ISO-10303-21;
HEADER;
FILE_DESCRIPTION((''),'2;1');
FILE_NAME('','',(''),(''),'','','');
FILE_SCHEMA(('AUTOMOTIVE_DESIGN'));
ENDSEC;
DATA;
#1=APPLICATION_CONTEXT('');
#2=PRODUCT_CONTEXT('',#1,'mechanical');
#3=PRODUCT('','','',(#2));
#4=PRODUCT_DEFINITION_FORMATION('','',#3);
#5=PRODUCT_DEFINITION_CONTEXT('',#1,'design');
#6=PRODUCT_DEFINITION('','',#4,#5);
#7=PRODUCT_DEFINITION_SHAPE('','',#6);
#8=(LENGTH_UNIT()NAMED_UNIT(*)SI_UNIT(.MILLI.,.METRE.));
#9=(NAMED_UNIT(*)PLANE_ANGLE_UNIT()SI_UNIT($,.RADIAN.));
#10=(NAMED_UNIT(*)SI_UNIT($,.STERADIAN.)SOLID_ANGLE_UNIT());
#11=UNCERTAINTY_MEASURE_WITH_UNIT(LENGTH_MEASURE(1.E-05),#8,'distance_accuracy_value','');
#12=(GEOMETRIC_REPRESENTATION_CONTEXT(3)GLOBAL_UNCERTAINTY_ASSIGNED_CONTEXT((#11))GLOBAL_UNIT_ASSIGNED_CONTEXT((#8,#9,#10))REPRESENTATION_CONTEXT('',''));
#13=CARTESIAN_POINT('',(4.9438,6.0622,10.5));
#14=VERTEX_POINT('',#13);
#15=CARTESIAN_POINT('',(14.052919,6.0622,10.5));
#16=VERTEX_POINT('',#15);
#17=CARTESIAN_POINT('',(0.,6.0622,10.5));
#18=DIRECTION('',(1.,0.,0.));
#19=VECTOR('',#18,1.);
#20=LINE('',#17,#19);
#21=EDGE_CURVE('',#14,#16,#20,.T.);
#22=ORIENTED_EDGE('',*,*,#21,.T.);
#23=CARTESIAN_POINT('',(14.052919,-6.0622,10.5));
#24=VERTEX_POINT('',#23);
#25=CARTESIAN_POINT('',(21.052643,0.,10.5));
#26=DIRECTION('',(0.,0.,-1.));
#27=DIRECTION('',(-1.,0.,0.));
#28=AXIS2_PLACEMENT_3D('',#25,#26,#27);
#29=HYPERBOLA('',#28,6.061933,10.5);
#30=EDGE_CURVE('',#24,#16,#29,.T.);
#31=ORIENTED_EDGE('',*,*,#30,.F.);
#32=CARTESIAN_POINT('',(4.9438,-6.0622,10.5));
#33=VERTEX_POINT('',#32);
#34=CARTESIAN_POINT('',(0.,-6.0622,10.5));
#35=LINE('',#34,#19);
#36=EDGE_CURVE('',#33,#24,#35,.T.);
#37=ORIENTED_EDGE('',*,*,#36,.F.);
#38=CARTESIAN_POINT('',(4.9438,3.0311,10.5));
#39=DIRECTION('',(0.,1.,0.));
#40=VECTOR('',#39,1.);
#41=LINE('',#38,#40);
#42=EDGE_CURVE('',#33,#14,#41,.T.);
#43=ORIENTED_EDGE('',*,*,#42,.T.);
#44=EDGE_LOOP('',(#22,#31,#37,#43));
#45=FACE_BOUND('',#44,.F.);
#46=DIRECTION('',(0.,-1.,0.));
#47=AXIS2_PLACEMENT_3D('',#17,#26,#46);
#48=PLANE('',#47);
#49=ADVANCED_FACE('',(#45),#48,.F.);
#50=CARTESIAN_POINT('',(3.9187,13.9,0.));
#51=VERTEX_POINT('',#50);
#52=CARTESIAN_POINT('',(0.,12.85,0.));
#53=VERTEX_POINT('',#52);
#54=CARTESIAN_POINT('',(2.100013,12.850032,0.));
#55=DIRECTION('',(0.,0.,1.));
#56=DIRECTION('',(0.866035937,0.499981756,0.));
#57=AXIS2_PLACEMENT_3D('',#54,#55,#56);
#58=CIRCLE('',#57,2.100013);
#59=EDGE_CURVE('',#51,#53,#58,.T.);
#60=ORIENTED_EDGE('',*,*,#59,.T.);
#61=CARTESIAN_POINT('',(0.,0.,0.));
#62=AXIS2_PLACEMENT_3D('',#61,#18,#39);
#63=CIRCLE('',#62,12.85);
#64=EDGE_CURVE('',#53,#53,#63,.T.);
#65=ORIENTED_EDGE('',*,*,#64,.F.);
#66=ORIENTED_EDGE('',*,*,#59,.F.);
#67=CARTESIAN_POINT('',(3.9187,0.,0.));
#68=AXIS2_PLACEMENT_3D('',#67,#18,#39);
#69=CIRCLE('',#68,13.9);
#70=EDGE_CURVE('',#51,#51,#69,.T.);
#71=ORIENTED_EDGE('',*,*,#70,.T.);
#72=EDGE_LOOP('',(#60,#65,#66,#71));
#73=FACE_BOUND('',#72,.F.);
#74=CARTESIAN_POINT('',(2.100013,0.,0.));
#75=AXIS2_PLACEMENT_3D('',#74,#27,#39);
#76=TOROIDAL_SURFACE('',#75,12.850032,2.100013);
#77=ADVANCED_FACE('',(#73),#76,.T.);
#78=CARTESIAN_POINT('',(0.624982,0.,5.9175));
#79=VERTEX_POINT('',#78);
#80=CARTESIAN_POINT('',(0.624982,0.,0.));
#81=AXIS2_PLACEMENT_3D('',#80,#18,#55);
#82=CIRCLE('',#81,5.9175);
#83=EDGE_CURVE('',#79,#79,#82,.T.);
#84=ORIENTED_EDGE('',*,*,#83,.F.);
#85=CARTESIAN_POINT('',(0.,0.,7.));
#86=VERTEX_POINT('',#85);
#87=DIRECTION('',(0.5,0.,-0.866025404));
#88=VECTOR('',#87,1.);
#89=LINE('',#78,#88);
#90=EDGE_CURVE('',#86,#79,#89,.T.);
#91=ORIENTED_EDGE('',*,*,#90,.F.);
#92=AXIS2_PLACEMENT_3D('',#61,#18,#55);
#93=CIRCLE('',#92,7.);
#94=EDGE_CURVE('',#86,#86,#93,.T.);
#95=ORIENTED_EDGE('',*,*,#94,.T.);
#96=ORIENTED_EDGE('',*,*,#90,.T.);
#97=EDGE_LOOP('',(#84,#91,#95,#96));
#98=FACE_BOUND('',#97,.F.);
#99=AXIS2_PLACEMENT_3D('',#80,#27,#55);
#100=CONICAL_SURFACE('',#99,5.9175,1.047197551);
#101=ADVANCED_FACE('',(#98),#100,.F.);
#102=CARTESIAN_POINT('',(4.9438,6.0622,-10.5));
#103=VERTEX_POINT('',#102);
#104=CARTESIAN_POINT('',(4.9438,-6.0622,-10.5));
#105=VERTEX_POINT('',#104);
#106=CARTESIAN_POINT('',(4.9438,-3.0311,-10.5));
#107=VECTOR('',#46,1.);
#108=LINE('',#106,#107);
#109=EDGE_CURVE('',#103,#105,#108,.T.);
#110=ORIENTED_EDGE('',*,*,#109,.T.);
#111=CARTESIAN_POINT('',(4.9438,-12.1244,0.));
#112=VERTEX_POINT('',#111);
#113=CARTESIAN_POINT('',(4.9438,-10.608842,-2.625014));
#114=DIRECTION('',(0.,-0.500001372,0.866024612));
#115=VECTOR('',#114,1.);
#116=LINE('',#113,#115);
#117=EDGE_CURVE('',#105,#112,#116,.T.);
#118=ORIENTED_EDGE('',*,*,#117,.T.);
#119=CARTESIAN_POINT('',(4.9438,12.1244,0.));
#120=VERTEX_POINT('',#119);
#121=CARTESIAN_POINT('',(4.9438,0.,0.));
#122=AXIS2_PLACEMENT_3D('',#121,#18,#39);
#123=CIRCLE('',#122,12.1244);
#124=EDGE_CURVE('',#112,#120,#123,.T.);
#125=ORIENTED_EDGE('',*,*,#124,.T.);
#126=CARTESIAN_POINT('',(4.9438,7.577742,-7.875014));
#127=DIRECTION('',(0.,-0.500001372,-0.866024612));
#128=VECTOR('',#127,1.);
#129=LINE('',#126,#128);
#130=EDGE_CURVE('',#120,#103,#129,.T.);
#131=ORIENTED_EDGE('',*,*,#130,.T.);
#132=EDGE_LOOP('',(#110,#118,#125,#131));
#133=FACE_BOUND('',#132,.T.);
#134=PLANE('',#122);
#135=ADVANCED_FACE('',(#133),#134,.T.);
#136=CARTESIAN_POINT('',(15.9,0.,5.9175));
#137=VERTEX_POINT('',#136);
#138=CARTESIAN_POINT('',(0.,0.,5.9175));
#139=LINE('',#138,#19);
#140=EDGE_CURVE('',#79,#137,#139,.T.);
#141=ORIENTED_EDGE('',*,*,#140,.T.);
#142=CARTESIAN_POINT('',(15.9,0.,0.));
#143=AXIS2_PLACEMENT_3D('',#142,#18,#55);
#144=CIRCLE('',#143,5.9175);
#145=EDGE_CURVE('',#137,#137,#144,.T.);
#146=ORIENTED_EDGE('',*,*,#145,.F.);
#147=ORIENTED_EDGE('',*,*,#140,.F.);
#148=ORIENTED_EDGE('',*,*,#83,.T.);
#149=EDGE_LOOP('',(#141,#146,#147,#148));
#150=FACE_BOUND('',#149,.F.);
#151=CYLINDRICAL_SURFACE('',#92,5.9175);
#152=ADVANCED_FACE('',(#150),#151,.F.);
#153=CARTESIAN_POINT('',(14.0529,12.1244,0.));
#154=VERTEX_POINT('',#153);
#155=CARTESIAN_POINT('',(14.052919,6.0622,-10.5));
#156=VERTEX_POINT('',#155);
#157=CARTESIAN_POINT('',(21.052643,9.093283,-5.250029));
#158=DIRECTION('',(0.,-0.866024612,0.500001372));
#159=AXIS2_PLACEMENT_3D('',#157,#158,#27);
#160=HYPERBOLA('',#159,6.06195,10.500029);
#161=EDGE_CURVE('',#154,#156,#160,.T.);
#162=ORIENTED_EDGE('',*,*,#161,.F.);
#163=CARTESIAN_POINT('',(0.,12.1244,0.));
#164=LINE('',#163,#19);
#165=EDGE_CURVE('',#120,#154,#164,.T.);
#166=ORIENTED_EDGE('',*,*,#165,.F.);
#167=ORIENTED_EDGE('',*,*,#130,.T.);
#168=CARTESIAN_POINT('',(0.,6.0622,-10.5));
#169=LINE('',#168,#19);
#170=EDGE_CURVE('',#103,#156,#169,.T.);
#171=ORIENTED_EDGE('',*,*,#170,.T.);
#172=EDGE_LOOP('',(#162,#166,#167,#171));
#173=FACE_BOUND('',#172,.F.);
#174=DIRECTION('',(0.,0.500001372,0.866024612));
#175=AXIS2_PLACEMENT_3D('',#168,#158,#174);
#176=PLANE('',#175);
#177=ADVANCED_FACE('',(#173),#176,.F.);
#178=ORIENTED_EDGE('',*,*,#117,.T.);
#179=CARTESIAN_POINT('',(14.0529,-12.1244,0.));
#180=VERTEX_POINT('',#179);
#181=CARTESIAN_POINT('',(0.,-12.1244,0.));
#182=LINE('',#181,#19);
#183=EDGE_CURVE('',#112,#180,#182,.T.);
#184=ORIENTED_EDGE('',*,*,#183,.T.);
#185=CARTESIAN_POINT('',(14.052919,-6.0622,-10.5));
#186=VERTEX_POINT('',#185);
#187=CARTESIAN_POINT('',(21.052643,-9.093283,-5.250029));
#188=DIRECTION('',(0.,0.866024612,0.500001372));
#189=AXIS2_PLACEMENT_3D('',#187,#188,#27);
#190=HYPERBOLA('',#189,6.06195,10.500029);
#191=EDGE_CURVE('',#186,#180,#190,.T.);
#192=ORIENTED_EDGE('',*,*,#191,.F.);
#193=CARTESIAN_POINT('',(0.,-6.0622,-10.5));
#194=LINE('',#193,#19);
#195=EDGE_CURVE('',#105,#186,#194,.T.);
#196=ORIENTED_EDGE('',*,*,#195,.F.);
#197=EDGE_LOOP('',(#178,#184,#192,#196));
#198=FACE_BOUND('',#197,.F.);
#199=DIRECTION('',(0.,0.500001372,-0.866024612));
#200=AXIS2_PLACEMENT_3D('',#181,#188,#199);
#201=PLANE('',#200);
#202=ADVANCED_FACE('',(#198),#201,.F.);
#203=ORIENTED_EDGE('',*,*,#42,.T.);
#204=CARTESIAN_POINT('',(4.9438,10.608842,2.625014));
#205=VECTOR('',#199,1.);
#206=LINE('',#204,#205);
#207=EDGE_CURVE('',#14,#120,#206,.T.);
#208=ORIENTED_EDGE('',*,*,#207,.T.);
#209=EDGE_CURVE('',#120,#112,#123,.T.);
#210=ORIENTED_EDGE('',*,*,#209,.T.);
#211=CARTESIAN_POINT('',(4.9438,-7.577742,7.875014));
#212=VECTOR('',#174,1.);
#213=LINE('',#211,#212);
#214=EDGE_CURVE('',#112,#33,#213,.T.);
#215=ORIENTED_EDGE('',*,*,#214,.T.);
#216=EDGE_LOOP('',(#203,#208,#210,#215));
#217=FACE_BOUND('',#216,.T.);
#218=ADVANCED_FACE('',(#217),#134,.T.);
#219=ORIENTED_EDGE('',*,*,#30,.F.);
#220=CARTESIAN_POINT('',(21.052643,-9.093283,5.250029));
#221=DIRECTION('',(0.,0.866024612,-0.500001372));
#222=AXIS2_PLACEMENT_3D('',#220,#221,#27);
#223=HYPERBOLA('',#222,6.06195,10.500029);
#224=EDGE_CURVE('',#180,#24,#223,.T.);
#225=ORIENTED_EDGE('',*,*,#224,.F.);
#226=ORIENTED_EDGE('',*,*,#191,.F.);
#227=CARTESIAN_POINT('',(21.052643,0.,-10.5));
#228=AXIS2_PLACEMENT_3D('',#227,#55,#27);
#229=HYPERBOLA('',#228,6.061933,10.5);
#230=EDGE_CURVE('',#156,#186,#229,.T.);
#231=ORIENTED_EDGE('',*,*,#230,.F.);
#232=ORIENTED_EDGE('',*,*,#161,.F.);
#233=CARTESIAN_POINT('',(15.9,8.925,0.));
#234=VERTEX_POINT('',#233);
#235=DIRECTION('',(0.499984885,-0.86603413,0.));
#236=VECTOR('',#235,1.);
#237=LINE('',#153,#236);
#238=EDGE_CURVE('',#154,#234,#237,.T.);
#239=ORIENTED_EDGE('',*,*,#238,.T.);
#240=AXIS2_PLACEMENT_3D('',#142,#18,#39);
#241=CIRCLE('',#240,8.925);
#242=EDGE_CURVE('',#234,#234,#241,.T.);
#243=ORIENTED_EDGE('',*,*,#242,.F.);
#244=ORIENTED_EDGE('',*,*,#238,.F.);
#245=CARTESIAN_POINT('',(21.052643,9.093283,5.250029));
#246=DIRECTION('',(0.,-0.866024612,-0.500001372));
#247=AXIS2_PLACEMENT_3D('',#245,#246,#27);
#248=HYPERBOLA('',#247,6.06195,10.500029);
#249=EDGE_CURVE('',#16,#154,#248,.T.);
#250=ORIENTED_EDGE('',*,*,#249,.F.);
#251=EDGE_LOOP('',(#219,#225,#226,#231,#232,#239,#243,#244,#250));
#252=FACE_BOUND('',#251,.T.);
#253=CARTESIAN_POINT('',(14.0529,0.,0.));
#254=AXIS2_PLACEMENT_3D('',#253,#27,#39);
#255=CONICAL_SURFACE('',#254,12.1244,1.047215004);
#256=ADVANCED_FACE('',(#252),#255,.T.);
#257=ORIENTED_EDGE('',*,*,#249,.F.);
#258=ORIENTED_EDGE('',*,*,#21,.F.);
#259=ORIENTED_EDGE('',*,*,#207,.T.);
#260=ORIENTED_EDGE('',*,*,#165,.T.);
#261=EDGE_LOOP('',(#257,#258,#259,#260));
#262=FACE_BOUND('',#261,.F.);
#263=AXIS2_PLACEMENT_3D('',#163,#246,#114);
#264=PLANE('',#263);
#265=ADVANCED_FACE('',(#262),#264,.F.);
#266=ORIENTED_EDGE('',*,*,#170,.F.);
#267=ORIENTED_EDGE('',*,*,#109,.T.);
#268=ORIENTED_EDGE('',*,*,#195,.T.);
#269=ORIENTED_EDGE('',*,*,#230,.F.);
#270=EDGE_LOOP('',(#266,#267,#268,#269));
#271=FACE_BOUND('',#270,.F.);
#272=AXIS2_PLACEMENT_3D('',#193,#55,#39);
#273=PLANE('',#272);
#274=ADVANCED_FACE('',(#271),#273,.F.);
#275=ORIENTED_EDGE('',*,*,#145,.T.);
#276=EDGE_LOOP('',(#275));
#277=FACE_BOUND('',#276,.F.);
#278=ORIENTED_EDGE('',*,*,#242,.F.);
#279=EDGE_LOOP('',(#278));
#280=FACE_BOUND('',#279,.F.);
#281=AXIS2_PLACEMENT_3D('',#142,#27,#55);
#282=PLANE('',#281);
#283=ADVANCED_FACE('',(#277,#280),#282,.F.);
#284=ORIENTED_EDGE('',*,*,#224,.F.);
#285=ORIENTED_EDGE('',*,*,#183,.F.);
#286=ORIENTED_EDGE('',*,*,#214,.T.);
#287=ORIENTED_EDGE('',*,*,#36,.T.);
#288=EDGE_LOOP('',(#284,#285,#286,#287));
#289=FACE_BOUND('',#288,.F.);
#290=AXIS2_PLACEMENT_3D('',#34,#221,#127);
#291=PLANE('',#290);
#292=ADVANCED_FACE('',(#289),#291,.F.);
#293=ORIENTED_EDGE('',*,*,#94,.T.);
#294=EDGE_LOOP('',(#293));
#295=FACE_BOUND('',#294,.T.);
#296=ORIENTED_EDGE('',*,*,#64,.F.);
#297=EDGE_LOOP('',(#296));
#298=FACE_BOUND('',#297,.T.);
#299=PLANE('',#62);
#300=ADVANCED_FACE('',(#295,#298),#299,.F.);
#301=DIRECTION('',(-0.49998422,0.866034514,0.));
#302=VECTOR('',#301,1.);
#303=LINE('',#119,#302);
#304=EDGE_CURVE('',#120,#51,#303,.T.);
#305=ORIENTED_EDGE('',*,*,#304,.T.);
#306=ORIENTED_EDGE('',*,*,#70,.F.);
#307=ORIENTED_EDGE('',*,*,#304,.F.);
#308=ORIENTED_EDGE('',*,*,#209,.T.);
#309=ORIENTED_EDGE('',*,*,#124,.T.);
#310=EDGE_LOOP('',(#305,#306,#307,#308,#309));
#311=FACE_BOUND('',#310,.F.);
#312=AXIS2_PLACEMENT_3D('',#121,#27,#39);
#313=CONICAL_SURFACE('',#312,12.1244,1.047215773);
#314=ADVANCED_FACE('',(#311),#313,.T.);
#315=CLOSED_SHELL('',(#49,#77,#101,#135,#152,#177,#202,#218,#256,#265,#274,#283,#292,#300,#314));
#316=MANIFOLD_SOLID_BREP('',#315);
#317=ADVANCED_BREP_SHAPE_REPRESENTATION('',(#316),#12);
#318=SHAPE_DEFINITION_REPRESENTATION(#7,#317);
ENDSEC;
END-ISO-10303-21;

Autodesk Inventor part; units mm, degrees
ref_plane "YZ Plane" through (0, 0, 0) normal (1, 0, 0) x (0, 1, 0)
ref_plane "XZ Plane" through (0, 0, 0) normal (0, 1, 0) x (-1, 0, 0)
sketch "Esquisse1" plane through (0, 0, 0) normal (0, 0, 1) x (1, 0, 0)
  line L0 (-3.6634, 0) -> (19.1606, 0) projected
  line L1 (4.9438, 12.1244) -> (3.9187, 13.9)
  line L2 (4.9438, 12.1244) -> (15.9, 12.1244) construction
  line L3 (15.9, 12.1244) -> (15.9, 0) construction
  arc A0 (3.9187, 13.9) -> (0, 12.85) centre (2.1, 12.85) ccw
  line L4 (4.9438, 12.1244) -> (4.9438, 0)
  line L5 (0, -3.0807) -> (0, 18.4841) projected
  point P0 (0, 0)
  dimension "d2" = 24.2487
  dimension "d4" = 29.9
  dimension "d5" = 2.1
  dimension "d15" = 15.9
  dimension "d16" = 30
revolve "Anneau" add sketch "Esquisse1" angle 360 about axis through (-10, 0, 0) along (1, 0, 0)
sketch "Esquisse2" plane through (0, 0, 0) normal (-1, 0, 0) x (0, 0, 1)
  circle A0 centre (0, 0) radius 4.9
  line L0 (-10.5, -6.0622) -> (-10.5, 6.0622)
  line L1 (-10.5, 6.0622) -> (0, 12.1244)
  line L2 (0, 12.1244) -> (10.5, 6.0622)
  line L3 (10.5, 6.0622) -> (10.5, -6.0622)
  line L4 (10.5, -6.0622) -> (0, -12.1244)
  line L5 (0, -12.1244) -> (-10.5, -6.0622)
  circle A1 centre (0, 0) radius 12.85 projected
  dimension "d6" = 24.2487
extrude "Corps" add sketch "Esquisse2" against normal blind 15.9 contours A0 | L0 L1 L2 L3 L4 L5
sketch "Esquisse3" plane through (0, 0, 0) normal (0, 0, 1) x (1, 0, 0)
  line L0 (4.9438, 12.1244) -> (15.9, 12.1244) projected
  line L1 (15.9, 6.0622) -> (15.9, 12.1244) projected
  line L2 (0, -12.85) -> (0, 12.85) projected
  line L3 (-3.18, 0) -> (19.08, 0) projected
  line L4 (14.0529, 12.1244) -> (15.9, 8.925)
  dimension "d10" = 30
  dimension "d11" = 17.85
revolve "Chanfrein1" cut sketch "Esquisse3" angle 360 about axis through (-10, 0, 0) along (1, 0, 0)
sketch "Esquisse4" plane through (0, 0, 0) normal (-1, 0, 0) x (0, 0, 1)
  line L0 (-20.93, 0) -> (20.93, 0) projected
  line L1 (0, 20.93) -> (0, -20.93) projected
  point P0 (0, 0)
hole "Filetage" at (0, 0, 0) direction (1, 0, 0) diameter 11.835 end through all thread size "M14x2" class "6H" standard "ANSI Metric M Profile"
chamfer "Chanfrein2" distance 1.0825 angle 30 1 edges at (0, 0, -5.9175) measured on face at (0, 10.4003, -1.2628)
ref_plane "Work Plane1" through (45.1755, 0, 0) normal (0, 0, -1) x (-1, 0, 0)
equation "\"d2\" = 1.1547 * SW"
equation "\"d4\" = LADI"
equation "\"d5\" = PHH"
equation "\"d15\" = KOH"
equation "\"d16\" = KEWI"
equation "\"d6\" = 1.1547 * SW"
equation "\"d7\" = KOH"
equation "\"d10\" = ANG1"
equation "\"d11\" = SW0"
equation "\"d12\" = -0.5 * GD1 + 0.5 * NND"
equation "\"d42\" = -0.5 * GD1 + 0.5 * NND"
equation "\"ANG1\" = 30deg"
equation "\"KEWI\" = 30deg"
equation "\"NND\" = 14"
equation "\"LADI\" = 29.9"
equation "\"SW\" = 21"
equation "\"PHH\" = 2.1"
equation "\"KOH\" = 15.9"
equation "\"SW0\" = 0.85 * SW"
equation "\"d1\" = LADI"
equation "\"d3\" = PHH"
equation "\"GUL\" = 0.541266 * PTC"
equation "\"THREADDIA\" = 14"
equation "\"TOA\" = 30deg"
equation "\"PTC\" = 2"
equation "\"GAL\" = 0.541266 * PTC"
equation "\"E0\" = 1.155 * SW"
equation "\"GD1\" = 11.834936"
properties part number "ANSI B18.16.3M - M14 x 2 Type de métal" material "Acier, doux"
